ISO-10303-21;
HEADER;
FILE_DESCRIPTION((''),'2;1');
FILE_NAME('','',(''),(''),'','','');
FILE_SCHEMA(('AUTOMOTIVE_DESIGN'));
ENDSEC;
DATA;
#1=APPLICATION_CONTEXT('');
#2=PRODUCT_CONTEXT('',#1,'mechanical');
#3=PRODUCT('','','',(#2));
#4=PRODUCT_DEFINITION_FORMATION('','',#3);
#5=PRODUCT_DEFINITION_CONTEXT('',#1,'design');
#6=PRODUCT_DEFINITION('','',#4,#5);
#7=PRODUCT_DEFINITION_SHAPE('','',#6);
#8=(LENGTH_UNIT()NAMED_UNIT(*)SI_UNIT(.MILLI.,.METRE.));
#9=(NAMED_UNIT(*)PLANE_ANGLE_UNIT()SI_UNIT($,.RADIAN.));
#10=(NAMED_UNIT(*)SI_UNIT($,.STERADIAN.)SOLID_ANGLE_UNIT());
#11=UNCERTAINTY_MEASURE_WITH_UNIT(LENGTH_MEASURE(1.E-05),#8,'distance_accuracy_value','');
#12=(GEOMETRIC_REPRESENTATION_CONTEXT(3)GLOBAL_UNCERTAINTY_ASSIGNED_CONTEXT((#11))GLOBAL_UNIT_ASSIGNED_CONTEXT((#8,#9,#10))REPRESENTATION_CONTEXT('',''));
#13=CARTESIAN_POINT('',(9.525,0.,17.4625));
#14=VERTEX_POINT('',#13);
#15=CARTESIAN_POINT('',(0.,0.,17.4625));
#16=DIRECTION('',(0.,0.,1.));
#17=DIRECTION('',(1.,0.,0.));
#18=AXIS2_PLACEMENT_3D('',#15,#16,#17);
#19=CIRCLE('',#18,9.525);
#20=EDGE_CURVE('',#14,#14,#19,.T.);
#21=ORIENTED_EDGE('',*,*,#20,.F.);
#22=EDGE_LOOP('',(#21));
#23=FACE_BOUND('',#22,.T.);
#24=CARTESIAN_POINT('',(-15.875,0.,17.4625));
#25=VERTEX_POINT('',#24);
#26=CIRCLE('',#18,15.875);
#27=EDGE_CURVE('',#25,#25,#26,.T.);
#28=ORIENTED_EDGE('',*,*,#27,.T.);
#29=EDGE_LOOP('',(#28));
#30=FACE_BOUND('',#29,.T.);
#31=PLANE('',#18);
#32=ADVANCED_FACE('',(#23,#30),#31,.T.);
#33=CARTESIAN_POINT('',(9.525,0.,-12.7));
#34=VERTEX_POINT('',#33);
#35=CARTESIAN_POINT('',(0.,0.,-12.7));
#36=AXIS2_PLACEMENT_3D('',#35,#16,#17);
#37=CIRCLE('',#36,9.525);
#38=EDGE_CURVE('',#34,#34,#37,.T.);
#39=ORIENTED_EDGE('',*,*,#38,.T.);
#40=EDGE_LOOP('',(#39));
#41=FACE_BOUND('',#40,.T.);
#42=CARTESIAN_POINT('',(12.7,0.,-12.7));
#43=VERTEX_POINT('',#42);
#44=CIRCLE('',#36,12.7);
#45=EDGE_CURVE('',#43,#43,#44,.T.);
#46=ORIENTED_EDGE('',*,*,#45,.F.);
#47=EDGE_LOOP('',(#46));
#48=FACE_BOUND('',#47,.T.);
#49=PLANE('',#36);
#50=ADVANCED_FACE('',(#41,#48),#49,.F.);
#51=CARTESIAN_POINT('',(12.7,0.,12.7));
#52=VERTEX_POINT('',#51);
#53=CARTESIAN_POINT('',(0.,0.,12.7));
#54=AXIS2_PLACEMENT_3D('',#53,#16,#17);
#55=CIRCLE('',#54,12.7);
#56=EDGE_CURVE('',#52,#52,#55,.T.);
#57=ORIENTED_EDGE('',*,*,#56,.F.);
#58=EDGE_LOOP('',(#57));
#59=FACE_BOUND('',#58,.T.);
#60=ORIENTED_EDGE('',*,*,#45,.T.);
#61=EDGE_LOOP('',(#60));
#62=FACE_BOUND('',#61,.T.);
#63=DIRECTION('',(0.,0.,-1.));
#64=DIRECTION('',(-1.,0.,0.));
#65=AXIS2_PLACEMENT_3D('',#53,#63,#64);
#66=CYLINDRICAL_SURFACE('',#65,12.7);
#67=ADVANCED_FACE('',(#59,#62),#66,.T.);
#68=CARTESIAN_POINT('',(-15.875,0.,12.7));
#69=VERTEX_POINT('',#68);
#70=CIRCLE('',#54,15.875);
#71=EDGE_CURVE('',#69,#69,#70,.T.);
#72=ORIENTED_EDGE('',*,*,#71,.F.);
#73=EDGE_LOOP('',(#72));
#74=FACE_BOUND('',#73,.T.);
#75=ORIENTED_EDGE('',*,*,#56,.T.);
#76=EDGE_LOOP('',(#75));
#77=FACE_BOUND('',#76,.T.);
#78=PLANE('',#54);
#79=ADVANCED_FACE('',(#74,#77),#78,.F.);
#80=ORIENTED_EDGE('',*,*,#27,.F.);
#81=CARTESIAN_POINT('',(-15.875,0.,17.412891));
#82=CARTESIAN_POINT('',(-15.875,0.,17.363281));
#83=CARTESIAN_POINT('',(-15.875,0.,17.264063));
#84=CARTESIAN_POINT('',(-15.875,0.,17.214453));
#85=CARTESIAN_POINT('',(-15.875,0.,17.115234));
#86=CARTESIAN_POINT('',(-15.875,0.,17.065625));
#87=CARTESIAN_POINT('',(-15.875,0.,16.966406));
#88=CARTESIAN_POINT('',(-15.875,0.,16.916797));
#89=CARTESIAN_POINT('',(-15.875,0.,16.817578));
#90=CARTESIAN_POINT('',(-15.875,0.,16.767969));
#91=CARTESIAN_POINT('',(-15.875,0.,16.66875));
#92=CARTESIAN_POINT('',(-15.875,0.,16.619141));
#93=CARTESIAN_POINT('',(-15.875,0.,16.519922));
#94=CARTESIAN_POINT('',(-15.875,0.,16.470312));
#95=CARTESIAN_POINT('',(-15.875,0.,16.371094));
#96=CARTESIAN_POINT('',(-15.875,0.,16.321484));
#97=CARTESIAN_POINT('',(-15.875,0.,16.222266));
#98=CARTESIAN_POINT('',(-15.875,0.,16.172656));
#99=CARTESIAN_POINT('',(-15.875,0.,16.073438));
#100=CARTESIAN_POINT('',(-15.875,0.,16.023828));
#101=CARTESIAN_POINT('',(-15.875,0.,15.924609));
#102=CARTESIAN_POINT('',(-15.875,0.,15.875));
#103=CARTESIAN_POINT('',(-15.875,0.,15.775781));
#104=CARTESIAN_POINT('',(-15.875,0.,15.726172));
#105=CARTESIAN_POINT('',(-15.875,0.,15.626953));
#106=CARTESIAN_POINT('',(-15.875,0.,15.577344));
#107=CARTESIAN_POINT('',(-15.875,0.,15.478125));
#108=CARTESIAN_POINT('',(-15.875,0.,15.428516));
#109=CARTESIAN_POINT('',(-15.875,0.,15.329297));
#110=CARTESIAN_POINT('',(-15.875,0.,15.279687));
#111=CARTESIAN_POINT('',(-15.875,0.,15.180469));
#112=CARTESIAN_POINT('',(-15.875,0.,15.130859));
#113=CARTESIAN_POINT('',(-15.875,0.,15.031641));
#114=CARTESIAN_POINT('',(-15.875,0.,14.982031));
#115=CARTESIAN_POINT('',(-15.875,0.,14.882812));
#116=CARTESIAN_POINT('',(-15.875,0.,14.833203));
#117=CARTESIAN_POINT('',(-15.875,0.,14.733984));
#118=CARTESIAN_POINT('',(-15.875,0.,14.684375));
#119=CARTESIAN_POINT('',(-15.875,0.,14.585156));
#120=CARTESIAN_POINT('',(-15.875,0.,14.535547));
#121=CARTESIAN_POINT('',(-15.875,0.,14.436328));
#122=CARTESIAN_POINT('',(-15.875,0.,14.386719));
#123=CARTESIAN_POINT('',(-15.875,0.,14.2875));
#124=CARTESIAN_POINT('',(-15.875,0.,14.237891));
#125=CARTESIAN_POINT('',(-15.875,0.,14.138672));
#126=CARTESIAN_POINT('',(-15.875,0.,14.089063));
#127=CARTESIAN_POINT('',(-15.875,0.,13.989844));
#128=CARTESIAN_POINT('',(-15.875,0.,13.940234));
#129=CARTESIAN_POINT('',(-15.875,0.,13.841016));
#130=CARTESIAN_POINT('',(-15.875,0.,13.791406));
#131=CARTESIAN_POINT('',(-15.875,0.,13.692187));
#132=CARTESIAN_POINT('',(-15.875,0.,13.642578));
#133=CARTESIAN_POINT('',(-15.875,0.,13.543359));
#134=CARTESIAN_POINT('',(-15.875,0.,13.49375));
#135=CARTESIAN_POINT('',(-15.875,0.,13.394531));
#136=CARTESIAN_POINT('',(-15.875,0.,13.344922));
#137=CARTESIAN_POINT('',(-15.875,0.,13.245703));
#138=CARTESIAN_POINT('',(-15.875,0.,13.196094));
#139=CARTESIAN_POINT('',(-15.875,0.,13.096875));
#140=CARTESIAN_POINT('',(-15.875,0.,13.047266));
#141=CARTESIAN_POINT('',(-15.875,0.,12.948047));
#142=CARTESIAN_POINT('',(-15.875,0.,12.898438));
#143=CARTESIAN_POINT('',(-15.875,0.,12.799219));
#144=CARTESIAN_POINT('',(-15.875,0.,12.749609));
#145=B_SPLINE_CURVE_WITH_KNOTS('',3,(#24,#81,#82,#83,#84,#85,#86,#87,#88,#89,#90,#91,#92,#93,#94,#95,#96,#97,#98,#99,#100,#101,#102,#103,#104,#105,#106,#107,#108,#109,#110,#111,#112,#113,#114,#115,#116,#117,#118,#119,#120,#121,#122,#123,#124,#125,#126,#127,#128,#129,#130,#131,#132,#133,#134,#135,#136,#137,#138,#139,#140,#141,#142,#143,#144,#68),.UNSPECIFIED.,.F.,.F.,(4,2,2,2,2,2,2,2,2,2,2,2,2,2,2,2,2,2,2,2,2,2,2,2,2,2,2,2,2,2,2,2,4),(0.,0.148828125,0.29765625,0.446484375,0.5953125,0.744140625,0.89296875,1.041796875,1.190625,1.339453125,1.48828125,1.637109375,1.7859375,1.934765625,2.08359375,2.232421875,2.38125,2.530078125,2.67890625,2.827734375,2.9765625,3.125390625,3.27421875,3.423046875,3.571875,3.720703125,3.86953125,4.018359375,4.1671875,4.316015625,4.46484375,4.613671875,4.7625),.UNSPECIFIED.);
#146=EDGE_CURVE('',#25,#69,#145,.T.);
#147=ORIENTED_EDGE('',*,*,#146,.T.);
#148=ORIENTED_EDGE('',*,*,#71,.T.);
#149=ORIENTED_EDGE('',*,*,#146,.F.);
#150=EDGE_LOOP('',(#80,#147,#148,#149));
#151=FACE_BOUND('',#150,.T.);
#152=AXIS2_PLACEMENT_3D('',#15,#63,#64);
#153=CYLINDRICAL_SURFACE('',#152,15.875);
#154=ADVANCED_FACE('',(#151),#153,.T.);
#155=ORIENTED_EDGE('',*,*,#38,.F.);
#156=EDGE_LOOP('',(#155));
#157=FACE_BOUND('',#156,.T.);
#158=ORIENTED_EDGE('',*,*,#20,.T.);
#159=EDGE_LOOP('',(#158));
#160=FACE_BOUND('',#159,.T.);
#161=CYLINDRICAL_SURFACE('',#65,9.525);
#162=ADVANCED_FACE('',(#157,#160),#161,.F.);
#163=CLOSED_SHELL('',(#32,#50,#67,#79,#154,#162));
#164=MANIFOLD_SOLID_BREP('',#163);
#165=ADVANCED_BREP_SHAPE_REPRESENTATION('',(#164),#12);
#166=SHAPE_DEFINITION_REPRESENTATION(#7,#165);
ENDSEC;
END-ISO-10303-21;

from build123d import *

# Parameters (mm, degrees)
SKETCH1_R           = 12.7
SKETCH1_R_2         = 9.525
BOSS_EXTRUDE1_DEPTH = 12.7
SKETCH2_R           = 15.875
SKETCH2_R_2         = 9.525
BOSS_EXTRUDE2_DEPTH = 4.7625


with BuildPart() as part:
    # Sketch1 → Boss-Extrude1 (new, symmetric)
    with BuildSketch(Plane.XY):
        Circle(SKETCH1_R)
        Circle(SKETCH1_R_2, mode=Mode.SUBTRACT)
    extrude(amount=BOSS_EXTRUDE1_DEPTH, both=True)

    # Sketch2 → Boss-Extrude2 (add)
    with BuildSketch(Plane.XY.offset(12.7)):
        with Locations(Location((0, 0, 0), (0, 0, 180))):
            Circle(SKETCH2_R)
        Circle(SKETCH2_R_2, mode=Mode.SUBTRACT)
    extrude(amount=BOSS_EXTRUDE2_DEPTH)


solid = part.part
